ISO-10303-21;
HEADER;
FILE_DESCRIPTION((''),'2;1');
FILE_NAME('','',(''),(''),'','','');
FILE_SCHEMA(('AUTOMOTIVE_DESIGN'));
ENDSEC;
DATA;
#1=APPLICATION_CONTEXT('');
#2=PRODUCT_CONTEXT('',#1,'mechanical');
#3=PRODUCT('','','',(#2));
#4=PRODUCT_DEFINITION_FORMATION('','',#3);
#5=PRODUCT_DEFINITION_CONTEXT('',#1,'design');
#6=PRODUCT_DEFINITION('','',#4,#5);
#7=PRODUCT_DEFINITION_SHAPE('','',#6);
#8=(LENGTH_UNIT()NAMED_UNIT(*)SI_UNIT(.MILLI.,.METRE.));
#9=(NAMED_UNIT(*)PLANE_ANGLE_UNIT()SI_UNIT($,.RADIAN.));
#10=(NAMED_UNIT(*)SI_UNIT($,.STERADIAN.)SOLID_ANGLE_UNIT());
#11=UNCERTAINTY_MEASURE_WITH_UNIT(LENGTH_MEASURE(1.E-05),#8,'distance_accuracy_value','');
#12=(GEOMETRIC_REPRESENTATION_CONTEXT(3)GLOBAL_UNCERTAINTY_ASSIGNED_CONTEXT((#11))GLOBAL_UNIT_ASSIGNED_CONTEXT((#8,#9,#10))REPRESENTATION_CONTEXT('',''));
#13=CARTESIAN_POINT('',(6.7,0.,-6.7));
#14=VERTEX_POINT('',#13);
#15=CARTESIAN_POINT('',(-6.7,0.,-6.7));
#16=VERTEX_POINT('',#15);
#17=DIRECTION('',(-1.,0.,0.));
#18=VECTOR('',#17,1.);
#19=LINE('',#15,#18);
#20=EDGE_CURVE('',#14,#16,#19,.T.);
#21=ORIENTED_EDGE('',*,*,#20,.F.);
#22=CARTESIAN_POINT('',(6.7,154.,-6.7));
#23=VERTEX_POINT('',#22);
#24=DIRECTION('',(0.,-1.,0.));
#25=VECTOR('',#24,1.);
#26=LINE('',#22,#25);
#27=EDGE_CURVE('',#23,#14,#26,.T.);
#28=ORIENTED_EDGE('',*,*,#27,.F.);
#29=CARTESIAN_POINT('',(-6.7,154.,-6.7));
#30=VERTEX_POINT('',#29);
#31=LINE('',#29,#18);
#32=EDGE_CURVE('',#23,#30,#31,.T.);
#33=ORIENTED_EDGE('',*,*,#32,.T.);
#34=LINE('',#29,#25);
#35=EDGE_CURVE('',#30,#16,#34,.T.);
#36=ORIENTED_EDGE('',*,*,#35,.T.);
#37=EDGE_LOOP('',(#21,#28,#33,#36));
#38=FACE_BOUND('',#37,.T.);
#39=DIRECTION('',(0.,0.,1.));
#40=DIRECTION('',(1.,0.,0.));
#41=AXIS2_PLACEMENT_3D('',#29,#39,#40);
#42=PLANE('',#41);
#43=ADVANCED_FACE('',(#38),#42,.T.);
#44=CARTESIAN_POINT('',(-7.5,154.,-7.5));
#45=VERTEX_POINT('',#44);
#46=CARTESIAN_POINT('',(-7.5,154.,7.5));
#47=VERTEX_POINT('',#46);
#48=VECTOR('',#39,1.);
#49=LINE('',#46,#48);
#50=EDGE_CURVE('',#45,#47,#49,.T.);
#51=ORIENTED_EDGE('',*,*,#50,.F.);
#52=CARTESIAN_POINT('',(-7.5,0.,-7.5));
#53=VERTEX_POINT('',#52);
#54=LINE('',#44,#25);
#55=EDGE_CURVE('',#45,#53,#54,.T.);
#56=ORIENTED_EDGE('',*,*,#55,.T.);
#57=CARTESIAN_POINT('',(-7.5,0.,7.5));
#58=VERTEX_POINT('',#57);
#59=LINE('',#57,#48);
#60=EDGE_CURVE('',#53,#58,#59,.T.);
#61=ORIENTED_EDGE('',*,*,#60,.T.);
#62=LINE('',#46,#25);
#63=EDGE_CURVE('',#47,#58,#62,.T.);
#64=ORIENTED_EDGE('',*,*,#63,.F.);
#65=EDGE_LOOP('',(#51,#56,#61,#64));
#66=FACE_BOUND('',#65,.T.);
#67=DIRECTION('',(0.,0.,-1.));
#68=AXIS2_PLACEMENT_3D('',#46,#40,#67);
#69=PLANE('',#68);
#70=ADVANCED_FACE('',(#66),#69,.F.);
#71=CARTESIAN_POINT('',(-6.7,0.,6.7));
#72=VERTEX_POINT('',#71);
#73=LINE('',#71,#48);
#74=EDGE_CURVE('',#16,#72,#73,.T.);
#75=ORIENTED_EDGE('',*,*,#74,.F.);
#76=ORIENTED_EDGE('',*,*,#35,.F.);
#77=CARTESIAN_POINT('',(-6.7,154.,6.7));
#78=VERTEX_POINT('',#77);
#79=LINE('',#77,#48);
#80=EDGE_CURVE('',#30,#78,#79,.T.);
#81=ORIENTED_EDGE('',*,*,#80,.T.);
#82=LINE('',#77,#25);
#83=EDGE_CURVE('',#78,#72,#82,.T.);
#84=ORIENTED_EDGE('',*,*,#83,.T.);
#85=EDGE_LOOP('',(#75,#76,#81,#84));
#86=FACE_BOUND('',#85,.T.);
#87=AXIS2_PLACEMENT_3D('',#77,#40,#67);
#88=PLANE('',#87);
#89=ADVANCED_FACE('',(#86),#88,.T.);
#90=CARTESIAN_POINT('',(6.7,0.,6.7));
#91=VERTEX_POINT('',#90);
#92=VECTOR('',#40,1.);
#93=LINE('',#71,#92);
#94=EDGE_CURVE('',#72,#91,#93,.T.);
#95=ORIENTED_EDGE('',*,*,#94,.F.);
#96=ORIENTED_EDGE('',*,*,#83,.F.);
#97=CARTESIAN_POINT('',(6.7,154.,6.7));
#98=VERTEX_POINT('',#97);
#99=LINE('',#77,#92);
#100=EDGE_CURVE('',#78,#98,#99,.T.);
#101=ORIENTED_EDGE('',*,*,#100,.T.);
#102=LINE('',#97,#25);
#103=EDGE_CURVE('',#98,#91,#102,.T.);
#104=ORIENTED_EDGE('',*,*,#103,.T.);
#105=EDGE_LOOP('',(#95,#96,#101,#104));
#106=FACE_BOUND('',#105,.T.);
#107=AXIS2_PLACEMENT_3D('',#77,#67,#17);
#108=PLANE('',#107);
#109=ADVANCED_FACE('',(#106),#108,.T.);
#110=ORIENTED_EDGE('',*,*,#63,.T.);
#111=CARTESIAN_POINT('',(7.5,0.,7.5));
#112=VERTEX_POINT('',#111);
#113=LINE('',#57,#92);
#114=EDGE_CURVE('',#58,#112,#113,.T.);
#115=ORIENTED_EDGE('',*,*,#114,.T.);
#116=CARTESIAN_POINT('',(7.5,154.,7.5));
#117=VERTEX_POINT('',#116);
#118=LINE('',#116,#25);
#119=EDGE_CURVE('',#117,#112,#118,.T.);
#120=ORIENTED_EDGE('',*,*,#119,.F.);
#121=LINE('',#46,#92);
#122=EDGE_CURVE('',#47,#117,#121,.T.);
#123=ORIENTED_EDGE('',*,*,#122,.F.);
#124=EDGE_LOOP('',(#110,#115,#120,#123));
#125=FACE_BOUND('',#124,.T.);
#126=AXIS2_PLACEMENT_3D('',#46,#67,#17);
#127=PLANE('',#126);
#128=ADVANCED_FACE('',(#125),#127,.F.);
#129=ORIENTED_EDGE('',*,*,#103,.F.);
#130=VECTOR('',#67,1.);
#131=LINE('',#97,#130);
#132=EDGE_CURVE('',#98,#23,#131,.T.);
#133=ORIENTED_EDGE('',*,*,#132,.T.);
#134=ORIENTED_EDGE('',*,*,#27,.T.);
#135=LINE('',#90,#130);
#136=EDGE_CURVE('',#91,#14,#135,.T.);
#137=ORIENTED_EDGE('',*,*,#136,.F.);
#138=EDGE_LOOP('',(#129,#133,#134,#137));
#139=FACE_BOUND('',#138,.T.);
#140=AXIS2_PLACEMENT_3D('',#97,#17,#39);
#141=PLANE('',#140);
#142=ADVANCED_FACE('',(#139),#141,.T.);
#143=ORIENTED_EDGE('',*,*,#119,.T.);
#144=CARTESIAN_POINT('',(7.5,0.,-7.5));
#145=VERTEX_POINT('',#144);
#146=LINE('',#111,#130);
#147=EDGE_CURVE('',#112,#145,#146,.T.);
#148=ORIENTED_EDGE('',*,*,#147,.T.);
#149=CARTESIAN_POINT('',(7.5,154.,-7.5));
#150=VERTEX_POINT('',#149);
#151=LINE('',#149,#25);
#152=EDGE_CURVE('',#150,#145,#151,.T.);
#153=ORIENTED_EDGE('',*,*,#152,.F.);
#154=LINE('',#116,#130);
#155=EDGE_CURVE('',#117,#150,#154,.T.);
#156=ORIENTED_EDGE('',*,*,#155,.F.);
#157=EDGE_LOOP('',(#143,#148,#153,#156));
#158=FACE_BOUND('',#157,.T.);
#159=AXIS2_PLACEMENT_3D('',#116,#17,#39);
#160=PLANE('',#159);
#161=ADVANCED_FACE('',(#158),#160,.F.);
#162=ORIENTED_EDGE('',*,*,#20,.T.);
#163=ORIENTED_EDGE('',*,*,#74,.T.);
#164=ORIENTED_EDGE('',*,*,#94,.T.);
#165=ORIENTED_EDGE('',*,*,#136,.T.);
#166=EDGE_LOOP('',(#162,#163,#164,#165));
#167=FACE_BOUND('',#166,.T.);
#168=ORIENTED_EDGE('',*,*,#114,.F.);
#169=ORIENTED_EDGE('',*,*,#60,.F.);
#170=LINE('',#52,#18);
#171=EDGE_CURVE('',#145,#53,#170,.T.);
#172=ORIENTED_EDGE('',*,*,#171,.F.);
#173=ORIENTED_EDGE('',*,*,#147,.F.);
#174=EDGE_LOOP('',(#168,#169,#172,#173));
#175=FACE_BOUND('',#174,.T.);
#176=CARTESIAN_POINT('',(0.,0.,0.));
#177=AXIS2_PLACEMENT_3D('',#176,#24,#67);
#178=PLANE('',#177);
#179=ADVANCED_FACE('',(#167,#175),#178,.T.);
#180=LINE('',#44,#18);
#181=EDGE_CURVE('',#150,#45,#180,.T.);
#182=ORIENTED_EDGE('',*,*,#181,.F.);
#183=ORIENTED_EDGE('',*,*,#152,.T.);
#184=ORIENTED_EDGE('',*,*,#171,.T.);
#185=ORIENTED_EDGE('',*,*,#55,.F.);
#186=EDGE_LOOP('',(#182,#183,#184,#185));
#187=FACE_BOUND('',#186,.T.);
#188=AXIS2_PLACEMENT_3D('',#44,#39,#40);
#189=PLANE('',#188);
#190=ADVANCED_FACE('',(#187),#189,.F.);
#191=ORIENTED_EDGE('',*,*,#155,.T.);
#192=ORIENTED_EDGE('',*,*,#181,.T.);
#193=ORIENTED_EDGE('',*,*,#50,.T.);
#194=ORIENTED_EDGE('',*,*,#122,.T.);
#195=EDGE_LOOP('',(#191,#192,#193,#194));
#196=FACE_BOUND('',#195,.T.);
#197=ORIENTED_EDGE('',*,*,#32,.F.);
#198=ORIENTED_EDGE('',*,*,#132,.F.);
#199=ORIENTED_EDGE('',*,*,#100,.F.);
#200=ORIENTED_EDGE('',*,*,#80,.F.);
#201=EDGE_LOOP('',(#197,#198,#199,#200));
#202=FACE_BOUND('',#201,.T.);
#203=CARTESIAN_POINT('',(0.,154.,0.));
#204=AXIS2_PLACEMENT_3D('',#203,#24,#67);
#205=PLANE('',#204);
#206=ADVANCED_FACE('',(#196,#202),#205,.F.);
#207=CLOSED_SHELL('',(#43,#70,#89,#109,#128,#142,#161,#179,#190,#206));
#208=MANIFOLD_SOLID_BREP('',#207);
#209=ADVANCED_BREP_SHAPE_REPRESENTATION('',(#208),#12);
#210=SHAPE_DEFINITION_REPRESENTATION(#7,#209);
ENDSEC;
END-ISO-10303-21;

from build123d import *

# Parameters (mm, degrees)
ESQUISSE1_W        = 15
ESQUISSE1_H        = 15
ESQUISSE1_W_2      = 13.4
ESQUISSE1_H_2      = 13.4
BOSS_EXTRU_1_DEPTH = 154


with BuildPart() as part:
    # Esquisse1 → Boss.-Extru.1 (new body)
    with BuildSketch(Plane(origin=(0, 0, 0), x_dir=(1, 0, 0), z_dir=(0, 1, 0))):
        Rectangle(ESQUISSE1_W, ESQUISSE1_H)
        Rectangle(ESQUISSE1_W_2, ESQUISSE1_H_2, mode=Mode.SUBTRACT)
    extrude(amount=BOSS_EXTRU_1_DEPTH)


solid = part.part
